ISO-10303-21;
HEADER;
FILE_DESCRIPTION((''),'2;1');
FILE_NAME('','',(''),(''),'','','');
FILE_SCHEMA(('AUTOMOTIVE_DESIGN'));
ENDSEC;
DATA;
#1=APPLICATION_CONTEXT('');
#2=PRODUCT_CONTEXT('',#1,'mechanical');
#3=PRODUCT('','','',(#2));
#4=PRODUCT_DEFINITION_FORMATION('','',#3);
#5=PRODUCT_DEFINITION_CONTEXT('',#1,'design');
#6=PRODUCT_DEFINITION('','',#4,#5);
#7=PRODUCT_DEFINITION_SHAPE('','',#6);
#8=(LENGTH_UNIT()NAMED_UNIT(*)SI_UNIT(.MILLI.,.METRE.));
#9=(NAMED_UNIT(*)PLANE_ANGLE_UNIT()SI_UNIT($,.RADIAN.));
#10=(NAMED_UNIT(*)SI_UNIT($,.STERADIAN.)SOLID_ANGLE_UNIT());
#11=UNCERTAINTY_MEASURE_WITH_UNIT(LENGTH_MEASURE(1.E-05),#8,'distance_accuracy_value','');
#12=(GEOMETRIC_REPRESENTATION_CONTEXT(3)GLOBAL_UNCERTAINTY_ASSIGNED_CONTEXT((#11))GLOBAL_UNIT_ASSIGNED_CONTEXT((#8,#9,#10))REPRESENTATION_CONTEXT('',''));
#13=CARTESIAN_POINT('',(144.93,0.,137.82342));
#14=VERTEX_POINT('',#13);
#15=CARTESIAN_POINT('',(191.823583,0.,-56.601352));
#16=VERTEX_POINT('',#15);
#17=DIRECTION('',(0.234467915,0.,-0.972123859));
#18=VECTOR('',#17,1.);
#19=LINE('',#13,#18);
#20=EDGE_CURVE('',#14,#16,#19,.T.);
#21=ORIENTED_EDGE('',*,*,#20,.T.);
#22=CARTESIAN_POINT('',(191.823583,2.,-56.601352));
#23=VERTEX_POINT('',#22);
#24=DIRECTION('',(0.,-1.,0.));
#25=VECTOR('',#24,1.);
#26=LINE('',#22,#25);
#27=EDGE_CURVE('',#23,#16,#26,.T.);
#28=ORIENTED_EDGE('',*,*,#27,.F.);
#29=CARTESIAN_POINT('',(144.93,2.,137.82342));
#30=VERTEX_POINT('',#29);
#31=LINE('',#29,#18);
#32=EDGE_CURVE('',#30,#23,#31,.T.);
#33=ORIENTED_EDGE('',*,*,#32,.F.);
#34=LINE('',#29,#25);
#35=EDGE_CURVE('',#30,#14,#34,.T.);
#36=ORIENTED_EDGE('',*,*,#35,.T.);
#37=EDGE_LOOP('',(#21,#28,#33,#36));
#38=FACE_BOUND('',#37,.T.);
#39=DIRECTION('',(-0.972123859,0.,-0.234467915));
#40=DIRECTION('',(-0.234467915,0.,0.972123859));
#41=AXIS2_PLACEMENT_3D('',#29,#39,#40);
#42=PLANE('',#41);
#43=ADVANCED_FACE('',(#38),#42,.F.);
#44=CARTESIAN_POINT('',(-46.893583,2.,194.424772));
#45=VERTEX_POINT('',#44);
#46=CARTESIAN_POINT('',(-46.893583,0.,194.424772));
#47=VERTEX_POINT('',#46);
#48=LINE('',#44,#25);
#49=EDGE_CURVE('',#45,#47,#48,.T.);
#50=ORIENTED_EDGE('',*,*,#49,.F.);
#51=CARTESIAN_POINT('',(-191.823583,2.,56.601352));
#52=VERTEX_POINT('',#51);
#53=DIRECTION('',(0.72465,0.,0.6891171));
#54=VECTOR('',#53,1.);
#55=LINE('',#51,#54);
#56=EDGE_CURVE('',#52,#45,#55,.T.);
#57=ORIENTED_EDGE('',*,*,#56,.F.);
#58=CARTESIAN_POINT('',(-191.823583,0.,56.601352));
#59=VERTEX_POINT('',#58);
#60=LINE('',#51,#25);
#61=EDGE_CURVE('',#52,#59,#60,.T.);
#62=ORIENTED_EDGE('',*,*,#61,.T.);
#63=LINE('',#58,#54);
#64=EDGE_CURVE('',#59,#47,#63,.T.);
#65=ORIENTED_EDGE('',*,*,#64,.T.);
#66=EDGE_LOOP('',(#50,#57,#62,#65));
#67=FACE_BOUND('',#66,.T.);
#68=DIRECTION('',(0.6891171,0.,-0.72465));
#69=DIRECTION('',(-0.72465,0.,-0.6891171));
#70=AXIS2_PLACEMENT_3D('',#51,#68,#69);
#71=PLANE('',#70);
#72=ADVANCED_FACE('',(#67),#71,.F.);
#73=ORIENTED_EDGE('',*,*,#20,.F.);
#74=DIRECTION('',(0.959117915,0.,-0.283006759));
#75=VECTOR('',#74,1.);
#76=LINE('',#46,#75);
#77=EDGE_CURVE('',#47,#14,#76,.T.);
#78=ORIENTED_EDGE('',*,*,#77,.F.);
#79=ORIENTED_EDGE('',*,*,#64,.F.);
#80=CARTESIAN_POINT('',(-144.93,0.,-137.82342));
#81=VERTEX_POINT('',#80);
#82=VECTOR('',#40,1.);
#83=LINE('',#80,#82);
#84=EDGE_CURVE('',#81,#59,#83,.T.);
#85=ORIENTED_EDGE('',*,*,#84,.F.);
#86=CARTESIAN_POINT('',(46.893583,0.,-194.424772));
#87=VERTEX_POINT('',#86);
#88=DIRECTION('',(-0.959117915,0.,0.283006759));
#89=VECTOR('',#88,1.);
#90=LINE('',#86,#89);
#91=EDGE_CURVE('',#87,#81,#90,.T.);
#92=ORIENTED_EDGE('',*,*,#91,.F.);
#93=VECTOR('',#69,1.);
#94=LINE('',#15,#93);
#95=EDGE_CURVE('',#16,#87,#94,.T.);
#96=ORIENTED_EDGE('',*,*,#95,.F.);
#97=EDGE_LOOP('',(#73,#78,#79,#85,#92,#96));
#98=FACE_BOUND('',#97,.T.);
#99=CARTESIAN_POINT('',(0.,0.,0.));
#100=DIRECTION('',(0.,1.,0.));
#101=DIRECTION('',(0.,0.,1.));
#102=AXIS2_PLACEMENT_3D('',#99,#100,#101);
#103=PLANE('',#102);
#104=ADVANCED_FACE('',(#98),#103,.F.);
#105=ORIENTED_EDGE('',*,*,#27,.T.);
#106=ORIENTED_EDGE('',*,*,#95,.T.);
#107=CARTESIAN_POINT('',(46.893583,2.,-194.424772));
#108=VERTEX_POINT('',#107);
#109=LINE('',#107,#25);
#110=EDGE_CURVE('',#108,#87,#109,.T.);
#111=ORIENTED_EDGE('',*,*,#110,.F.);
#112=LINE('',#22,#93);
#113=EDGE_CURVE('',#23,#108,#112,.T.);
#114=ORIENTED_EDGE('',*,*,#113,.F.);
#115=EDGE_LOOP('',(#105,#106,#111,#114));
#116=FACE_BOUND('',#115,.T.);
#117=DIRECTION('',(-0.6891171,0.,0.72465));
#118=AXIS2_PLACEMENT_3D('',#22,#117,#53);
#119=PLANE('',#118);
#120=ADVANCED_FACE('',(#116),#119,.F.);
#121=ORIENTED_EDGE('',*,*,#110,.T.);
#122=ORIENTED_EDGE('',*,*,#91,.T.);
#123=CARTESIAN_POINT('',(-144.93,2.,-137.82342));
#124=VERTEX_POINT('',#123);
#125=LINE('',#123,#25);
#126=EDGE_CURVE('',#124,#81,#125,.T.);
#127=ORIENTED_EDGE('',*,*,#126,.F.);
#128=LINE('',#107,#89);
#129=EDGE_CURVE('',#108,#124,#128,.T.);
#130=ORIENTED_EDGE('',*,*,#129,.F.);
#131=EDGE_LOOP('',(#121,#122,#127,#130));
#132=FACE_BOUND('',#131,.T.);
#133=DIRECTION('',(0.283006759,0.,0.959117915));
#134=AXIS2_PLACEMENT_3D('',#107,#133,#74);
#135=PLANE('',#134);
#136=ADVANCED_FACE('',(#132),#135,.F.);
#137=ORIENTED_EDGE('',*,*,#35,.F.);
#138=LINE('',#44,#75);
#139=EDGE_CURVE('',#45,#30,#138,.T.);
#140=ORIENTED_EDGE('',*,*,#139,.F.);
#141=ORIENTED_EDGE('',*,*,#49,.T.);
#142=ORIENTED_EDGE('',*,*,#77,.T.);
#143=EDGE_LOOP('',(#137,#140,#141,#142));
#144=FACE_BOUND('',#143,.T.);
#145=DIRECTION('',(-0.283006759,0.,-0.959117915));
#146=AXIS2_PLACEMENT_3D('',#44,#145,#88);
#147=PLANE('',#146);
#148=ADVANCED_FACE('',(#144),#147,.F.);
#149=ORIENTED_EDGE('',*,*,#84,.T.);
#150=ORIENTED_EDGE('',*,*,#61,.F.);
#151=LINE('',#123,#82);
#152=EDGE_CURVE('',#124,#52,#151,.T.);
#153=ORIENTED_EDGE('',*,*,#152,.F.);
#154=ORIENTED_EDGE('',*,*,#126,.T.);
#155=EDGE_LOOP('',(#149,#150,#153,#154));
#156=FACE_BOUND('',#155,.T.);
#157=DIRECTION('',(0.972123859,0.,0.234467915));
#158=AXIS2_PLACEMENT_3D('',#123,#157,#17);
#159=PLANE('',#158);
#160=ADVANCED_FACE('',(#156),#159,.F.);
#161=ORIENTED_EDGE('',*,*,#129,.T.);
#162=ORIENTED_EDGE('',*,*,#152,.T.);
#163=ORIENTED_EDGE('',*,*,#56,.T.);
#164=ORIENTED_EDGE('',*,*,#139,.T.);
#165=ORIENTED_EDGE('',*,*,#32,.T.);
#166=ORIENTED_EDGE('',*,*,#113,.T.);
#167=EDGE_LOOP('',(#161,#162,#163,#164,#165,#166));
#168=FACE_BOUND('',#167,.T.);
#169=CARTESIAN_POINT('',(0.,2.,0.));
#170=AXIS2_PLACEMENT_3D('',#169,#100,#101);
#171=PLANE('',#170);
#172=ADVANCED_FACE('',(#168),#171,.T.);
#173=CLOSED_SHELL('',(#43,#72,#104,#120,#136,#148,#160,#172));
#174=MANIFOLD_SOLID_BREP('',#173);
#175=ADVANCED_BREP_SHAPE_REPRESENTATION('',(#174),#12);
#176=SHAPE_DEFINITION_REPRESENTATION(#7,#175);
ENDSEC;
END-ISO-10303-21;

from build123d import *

# Parameters (mm, degrees)
BOSS_EXTRUDE1_DEPTH = 2


with BuildPart() as part:
    # Sketch1 → Boss-Extrude1 (new body)
    with BuildSketch(Plane(origin=(0, 0, 0), x_dir=(1, 0, 0), z_dir=(0, 1, 0))):
        Polygon((-46.893582955, -194.42477177), (144.93, -137.823419998), (191.823582955, 56.601351771), (46.893582955, 194.42477177), (-144.93, 137.823419998), (-191.823582955, -56.601351771), align=None)
    extrude(amount=BOSS_EXTRUDE1_DEPTH)


solid = part.part
